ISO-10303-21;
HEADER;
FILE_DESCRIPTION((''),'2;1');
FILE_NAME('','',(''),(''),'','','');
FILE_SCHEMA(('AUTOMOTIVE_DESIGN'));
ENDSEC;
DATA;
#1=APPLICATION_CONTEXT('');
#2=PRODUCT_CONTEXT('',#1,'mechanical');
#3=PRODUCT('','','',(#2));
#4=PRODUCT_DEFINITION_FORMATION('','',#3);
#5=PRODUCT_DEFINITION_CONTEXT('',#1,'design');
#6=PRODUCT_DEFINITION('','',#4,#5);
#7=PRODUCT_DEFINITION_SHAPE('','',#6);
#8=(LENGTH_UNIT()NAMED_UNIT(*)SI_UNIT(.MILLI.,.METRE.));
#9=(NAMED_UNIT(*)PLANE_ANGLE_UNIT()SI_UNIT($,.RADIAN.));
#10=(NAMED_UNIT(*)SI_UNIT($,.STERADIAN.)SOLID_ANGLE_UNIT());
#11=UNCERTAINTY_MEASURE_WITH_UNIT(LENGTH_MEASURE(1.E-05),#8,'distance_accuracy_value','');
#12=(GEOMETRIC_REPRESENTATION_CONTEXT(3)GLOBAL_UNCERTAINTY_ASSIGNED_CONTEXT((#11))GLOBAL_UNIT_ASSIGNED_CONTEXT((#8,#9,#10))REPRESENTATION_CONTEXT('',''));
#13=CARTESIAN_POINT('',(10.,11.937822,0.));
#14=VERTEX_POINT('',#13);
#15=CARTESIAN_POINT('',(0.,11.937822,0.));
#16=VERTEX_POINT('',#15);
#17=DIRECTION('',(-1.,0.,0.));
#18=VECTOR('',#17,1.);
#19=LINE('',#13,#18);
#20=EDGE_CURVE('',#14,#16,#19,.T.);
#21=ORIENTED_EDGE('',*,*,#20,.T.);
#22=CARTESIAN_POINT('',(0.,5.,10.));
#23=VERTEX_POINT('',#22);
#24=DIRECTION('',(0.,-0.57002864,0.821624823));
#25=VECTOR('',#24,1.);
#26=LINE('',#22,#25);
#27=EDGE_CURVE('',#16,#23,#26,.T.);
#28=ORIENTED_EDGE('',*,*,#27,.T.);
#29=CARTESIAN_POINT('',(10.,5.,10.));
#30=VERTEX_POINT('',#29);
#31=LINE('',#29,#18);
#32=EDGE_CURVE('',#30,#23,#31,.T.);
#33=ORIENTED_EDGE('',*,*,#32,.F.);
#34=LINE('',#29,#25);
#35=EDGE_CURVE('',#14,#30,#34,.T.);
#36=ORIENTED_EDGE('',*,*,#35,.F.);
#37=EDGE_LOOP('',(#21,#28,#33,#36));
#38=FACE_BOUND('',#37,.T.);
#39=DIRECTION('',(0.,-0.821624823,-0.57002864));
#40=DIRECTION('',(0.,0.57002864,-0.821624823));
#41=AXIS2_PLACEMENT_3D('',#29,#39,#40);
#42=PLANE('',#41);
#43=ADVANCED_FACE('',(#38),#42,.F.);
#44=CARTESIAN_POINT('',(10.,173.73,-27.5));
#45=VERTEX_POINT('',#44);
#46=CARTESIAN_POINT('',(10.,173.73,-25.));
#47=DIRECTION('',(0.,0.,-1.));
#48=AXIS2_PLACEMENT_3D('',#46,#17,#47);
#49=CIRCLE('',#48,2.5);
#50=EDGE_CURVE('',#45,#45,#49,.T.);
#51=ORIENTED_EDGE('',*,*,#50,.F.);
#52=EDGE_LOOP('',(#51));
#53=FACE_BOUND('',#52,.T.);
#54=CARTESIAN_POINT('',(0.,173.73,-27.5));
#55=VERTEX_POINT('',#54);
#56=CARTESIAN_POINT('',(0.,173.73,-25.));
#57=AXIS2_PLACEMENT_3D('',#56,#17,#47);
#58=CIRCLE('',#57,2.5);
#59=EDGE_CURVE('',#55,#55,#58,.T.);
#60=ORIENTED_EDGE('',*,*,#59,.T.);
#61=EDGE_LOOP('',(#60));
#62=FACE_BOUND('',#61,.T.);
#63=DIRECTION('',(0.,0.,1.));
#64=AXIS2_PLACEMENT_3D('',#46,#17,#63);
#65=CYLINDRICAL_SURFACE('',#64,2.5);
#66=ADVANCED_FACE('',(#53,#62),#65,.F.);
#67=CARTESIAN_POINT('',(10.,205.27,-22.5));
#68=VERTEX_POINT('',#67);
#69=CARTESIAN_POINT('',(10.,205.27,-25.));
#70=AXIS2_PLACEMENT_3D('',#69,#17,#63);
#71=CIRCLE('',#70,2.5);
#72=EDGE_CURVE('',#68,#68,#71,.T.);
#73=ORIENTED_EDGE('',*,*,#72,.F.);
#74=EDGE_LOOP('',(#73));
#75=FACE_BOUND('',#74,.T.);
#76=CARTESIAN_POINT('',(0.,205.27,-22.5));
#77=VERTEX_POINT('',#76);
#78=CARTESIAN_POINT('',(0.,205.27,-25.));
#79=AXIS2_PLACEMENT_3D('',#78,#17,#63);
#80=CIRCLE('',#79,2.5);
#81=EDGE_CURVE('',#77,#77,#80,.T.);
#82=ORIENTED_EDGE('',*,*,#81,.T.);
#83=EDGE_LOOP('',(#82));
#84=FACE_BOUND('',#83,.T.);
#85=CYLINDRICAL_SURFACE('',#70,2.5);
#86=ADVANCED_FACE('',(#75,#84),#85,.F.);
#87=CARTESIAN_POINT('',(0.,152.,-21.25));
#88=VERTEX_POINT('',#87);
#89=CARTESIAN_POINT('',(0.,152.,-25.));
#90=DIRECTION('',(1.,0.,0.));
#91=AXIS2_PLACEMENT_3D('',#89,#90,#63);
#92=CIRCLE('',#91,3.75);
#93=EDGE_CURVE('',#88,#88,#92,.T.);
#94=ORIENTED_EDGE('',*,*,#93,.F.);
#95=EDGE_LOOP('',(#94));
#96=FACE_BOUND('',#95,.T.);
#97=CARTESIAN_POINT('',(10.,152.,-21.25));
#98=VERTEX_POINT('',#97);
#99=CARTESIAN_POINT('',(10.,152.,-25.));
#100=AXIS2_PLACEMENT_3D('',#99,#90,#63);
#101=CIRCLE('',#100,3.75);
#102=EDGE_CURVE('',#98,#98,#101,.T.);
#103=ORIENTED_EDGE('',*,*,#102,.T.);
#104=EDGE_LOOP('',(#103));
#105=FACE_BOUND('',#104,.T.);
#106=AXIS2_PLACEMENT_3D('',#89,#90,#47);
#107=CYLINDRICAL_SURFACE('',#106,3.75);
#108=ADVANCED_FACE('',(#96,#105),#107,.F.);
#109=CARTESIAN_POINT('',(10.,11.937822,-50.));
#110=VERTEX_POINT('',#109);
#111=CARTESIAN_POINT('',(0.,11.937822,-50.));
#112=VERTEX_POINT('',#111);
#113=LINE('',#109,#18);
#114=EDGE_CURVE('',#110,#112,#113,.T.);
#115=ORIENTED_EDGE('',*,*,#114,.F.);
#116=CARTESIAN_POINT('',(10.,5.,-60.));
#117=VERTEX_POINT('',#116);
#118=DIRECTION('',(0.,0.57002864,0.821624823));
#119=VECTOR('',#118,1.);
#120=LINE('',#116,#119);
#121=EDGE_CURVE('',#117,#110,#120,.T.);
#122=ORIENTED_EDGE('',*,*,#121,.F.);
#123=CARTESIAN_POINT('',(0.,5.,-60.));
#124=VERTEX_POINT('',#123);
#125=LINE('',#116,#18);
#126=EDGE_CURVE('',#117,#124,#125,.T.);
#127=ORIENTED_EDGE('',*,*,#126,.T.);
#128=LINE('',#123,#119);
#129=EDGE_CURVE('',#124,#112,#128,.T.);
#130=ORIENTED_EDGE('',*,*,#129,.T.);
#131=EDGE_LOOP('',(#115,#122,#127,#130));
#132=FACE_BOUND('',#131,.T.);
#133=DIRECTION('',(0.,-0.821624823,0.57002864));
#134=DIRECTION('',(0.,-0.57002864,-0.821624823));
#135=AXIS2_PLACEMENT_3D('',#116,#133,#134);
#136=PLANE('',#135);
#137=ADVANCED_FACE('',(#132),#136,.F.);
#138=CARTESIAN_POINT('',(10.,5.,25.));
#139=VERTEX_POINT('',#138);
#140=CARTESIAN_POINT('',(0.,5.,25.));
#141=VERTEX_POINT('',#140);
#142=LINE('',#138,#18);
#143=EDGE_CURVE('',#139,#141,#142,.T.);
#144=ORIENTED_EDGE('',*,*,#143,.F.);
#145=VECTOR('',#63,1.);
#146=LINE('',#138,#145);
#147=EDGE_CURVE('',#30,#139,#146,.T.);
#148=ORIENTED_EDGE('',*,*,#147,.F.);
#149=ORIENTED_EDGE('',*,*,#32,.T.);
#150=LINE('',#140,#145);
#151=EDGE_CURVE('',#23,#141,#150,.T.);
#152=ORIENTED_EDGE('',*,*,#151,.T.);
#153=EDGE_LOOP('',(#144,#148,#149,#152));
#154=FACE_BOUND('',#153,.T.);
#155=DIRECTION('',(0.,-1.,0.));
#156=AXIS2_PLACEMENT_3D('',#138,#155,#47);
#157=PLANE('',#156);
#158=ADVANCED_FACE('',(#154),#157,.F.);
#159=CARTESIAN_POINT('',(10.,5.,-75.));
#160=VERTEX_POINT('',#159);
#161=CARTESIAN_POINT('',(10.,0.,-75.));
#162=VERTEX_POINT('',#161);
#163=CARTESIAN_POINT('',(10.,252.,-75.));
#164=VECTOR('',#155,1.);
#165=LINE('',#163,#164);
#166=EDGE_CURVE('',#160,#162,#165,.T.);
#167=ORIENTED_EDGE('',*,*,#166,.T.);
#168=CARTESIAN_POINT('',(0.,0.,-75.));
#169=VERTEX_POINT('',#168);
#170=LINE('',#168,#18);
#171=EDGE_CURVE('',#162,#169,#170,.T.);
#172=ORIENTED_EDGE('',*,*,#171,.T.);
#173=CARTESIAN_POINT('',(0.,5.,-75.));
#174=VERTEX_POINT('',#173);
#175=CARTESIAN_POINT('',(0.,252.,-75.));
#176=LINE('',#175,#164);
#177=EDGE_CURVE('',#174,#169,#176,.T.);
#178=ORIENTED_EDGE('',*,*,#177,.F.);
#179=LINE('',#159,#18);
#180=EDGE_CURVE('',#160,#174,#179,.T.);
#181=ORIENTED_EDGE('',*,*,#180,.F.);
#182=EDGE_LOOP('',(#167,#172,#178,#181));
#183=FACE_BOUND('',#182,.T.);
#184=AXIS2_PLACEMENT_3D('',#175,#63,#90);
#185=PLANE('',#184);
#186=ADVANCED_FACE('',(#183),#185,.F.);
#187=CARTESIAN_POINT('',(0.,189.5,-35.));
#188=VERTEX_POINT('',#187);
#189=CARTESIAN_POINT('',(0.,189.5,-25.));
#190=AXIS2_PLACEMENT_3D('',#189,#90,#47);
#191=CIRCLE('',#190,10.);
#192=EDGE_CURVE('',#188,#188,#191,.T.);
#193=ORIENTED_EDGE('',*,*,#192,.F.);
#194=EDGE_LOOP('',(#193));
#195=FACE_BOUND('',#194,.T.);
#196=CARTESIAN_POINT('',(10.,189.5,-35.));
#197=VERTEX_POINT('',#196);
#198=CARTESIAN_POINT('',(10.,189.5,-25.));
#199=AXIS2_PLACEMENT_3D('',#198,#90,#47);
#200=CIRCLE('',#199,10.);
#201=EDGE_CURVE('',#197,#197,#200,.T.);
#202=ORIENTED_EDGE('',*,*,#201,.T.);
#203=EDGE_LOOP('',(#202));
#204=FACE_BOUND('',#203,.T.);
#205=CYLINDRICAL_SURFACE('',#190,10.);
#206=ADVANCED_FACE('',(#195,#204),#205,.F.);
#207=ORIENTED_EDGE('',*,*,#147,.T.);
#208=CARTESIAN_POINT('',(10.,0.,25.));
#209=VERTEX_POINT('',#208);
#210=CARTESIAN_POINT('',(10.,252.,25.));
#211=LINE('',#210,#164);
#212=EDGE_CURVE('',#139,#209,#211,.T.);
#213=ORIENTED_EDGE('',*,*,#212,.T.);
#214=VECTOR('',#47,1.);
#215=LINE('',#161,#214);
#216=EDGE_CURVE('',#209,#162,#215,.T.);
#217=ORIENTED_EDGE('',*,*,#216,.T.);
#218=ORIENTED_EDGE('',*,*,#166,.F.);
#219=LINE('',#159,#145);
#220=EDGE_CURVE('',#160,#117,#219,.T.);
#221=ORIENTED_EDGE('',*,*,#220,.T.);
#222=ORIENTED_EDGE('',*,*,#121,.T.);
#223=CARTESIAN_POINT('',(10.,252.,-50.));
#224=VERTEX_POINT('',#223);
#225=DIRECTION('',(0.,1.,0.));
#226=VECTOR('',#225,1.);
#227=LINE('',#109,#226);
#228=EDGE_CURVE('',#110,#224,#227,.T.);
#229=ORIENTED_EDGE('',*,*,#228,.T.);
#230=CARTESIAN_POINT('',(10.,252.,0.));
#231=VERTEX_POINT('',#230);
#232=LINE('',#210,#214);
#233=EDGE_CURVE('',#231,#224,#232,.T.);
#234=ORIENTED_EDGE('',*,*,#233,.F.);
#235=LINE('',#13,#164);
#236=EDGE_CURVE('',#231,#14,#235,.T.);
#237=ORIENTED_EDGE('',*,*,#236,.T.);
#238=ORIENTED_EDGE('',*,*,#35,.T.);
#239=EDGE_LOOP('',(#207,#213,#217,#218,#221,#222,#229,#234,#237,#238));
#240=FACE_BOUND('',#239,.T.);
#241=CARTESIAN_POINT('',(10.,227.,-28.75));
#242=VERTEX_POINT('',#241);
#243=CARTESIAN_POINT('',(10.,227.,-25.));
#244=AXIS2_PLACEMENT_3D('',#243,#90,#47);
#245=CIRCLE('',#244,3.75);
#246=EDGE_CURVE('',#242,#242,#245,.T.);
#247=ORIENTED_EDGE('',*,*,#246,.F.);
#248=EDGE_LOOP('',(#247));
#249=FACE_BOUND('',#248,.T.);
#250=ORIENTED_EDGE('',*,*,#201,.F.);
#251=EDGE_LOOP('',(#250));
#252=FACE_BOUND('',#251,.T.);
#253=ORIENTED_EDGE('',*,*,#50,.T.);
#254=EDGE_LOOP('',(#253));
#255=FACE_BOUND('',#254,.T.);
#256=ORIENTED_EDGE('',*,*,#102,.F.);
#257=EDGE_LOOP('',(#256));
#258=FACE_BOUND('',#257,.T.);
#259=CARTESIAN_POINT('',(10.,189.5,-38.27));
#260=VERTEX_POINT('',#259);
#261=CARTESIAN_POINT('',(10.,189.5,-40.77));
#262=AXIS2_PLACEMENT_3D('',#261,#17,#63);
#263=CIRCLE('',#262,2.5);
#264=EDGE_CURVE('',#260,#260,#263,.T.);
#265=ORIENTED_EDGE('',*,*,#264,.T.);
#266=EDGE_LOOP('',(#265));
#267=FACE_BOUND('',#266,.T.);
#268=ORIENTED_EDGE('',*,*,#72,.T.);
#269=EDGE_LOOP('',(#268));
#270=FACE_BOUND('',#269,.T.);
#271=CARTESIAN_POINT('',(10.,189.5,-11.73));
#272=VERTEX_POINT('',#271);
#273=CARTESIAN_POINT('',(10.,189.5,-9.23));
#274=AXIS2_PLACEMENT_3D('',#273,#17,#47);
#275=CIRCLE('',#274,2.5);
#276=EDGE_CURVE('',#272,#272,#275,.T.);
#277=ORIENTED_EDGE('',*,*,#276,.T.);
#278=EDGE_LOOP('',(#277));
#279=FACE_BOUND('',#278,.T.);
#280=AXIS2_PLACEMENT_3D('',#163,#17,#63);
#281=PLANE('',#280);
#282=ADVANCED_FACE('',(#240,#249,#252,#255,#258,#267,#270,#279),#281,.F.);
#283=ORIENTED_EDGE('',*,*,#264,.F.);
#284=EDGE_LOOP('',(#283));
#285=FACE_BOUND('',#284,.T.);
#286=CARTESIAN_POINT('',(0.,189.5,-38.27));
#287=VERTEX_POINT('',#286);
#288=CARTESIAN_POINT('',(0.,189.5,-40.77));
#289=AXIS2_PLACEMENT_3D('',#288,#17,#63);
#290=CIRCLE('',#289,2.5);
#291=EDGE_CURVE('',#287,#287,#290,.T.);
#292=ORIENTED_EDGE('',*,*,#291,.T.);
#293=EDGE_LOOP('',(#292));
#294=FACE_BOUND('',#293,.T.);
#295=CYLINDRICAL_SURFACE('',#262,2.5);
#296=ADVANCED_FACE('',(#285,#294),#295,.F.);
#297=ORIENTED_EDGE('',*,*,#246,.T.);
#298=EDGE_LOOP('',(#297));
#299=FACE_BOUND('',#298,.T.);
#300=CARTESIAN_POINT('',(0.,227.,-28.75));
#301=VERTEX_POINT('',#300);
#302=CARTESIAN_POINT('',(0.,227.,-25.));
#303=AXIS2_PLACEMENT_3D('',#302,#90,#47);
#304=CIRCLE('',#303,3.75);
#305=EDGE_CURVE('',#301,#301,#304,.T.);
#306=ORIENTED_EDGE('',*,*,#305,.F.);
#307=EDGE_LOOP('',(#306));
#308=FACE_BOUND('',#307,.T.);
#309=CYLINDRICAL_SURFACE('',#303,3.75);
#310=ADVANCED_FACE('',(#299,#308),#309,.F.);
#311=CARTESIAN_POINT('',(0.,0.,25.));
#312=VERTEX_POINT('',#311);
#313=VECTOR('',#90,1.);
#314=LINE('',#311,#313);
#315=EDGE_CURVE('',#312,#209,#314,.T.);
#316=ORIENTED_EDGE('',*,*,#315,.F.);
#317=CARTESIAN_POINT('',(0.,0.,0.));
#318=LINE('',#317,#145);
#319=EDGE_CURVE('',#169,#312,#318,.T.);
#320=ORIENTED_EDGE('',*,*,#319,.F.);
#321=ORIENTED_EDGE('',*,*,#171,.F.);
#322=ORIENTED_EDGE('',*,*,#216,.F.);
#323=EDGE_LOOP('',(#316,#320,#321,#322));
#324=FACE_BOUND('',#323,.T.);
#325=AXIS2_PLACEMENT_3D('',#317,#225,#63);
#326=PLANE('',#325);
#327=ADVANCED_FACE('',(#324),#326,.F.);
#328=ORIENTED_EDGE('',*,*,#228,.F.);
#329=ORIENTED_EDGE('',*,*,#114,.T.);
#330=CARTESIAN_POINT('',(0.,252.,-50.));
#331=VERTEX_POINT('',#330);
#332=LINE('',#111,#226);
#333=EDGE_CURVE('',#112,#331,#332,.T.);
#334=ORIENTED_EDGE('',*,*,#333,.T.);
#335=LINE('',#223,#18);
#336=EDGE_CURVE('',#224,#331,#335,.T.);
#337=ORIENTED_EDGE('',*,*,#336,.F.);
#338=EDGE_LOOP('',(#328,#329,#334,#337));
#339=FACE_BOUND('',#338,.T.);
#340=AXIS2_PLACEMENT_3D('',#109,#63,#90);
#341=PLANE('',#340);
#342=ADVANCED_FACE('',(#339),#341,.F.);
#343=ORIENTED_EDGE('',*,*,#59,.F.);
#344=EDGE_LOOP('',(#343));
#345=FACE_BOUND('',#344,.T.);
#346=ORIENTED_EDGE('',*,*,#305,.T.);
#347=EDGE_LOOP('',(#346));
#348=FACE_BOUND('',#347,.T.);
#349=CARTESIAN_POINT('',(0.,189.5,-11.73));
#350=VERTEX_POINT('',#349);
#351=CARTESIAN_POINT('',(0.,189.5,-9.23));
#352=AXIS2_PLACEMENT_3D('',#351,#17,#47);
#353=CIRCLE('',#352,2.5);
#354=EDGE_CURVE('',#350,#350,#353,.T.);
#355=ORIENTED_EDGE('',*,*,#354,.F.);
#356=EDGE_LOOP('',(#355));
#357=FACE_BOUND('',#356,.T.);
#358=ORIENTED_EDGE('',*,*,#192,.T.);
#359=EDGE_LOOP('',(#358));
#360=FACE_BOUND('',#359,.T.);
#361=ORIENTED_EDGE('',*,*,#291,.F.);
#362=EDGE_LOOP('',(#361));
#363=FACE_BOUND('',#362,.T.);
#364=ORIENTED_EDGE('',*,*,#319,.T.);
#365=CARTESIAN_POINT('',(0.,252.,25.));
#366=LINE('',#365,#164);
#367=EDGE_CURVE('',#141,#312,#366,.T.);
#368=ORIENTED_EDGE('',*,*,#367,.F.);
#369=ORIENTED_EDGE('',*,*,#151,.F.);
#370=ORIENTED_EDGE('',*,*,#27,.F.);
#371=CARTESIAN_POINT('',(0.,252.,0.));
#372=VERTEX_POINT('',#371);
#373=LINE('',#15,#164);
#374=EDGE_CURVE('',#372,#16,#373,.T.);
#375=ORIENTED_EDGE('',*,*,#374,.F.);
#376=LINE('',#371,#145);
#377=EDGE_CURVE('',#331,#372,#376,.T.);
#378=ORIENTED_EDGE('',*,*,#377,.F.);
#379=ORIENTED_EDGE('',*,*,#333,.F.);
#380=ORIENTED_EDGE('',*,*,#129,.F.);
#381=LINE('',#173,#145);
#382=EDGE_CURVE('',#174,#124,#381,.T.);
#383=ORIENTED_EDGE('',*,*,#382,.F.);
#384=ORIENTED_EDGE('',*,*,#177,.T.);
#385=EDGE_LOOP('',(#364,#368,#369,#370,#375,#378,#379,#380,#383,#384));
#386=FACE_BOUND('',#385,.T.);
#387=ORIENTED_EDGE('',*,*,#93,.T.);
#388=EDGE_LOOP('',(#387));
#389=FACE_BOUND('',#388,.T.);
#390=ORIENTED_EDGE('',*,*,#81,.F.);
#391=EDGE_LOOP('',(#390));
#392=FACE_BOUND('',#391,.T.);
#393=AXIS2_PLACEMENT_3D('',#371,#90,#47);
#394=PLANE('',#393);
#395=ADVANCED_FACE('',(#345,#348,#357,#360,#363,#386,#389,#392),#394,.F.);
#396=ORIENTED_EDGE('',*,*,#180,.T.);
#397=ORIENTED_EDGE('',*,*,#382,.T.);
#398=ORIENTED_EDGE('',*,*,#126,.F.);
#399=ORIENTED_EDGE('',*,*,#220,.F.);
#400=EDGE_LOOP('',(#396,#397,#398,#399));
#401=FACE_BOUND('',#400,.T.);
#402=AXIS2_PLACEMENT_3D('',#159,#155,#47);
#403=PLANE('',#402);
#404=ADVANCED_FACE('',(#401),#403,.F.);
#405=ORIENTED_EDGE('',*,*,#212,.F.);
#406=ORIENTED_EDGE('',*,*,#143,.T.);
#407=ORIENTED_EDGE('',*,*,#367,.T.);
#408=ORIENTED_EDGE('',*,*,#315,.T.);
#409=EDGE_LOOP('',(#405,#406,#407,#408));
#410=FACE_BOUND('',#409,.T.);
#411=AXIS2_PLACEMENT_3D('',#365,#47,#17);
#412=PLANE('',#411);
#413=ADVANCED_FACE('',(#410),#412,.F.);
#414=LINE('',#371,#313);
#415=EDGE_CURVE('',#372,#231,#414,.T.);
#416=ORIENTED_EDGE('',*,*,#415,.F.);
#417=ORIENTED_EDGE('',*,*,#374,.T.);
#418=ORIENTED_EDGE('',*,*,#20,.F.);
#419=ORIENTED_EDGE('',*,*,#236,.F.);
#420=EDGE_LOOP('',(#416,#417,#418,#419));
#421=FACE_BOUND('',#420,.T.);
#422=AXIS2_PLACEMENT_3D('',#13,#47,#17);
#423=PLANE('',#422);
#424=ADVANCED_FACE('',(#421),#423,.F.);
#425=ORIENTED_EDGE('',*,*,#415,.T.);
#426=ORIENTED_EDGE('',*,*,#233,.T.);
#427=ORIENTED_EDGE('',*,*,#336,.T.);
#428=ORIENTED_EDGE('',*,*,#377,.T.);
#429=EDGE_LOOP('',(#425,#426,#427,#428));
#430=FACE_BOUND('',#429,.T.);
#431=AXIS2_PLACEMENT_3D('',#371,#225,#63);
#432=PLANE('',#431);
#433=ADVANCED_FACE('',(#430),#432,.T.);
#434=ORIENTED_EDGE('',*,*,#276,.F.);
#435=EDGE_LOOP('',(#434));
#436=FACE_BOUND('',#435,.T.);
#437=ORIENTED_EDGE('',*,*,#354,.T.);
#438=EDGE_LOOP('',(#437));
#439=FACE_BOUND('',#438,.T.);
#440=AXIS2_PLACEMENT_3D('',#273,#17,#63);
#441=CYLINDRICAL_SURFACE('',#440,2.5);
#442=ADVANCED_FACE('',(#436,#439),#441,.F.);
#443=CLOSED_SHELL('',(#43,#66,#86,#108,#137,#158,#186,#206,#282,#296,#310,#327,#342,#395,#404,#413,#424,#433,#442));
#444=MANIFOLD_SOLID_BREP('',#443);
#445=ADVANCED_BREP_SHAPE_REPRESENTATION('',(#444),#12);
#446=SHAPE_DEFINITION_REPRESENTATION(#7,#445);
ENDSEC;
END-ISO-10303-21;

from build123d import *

# Parameters (mm, degrees)
BOSS_EXTRUDE1_DEPTH = 252
CUT_EXTRUDE2_DEPTH  = 10
SKETCH4_W           = 25
SKETCH4_H           = 52
CUT_EXTRUDE3_DEPTH  = 10
SKETCH5_R           = 3.75
SKETCH5_R_2         = 10
CUT_EXTRUDE5_DEPTH  = 264.114043715
SKETCH6_R           = 2.5
CUT_EXTRUDE6_DEPTH  = 264.114043715


with BuildPart() as part:
    # Sketch1 → Boss-Extrude1 (new body)
    with BuildSketch(Plane(origin=(0, 0, 0), x_dir=(1, 0, 0), z_dir=(0, 1, 0))):
        Polygon((10, 0), (10, 50), (10, 75), (0, 75), (0, 50), (0, 0), (0, -25), (10, -25), align=None)
    extrude(amount=BOSS_EXTRUDE1_DEPTH)

    # Sketch3 → Cut-Extrude2 (cut)
    with BuildSketch(Plane.ZY):
        Polygon((25, 200), (25, 5), (10, 5), (0, 11.937821542), (0, 200), align=None)
        Polygon((-75, 5), (-60, 5), (-50, 11.937821542), (-50, 252), (-75, 252), align=None)
    extrude(amount=-CUT_EXTRUDE2_DEPTH, mode=Mode.SUBTRACT)

    # Sketch4 → Cut-Extrude3 (cut)
    with BuildSketch(Plane(origin=(10, 0, 0), x_dir=(0, 0, -1), z_dir=(1, 0, 0))):
        with Locations((-12.5, 226)):
            Rectangle(SKETCH4_W, SKETCH4_H)
    extrude(amount=-CUT_EXTRUDE3_DEPTH, mode=Mode.SUBTRACT)

    # Sketch5 → Cut-Extrude5 (cut, through all)
    with BuildSketch(Plane(origin=(10, 0, 0), x_dir=(0, 0, -1), z_dir=(1, 0, 0))):
        with Locations((25, 227)):
            Circle(SKETCH5_R)
        with Locations((25, 189.5)):
            Circle(SKETCH5_R_2)
        with Locations(Location((25, 152, 0), (0, 0, 180))):
            Circle(SKETCH5_R)
    extrude(amount=-CUT_EXTRUDE5_DEPTH, mode=Mode.SUBTRACT)

    # Sketch6 → Cut-Extrude6 (cut, through all)
    with BuildSketch(Plane.ZY):
        with Locations((-40.77, 189.5)):
            Circle(SKETCH6_R)
        with Locations(Location((-9.23, 189.5, 0), (0, 0, 180))):
            Circle(SKETCH6_R)
        with Locations((-25, 205.27)):
            Circle(SKETCH6_R)
        with Locations(Location((-25, 173.73, 0), (0, 0, 180))):
            Circle(SKETCH6_R)
    extrude(amount=-CUT_EXTRUDE6_DEPTH, mode=Mode.SUBTRACT)


solid = part.part
